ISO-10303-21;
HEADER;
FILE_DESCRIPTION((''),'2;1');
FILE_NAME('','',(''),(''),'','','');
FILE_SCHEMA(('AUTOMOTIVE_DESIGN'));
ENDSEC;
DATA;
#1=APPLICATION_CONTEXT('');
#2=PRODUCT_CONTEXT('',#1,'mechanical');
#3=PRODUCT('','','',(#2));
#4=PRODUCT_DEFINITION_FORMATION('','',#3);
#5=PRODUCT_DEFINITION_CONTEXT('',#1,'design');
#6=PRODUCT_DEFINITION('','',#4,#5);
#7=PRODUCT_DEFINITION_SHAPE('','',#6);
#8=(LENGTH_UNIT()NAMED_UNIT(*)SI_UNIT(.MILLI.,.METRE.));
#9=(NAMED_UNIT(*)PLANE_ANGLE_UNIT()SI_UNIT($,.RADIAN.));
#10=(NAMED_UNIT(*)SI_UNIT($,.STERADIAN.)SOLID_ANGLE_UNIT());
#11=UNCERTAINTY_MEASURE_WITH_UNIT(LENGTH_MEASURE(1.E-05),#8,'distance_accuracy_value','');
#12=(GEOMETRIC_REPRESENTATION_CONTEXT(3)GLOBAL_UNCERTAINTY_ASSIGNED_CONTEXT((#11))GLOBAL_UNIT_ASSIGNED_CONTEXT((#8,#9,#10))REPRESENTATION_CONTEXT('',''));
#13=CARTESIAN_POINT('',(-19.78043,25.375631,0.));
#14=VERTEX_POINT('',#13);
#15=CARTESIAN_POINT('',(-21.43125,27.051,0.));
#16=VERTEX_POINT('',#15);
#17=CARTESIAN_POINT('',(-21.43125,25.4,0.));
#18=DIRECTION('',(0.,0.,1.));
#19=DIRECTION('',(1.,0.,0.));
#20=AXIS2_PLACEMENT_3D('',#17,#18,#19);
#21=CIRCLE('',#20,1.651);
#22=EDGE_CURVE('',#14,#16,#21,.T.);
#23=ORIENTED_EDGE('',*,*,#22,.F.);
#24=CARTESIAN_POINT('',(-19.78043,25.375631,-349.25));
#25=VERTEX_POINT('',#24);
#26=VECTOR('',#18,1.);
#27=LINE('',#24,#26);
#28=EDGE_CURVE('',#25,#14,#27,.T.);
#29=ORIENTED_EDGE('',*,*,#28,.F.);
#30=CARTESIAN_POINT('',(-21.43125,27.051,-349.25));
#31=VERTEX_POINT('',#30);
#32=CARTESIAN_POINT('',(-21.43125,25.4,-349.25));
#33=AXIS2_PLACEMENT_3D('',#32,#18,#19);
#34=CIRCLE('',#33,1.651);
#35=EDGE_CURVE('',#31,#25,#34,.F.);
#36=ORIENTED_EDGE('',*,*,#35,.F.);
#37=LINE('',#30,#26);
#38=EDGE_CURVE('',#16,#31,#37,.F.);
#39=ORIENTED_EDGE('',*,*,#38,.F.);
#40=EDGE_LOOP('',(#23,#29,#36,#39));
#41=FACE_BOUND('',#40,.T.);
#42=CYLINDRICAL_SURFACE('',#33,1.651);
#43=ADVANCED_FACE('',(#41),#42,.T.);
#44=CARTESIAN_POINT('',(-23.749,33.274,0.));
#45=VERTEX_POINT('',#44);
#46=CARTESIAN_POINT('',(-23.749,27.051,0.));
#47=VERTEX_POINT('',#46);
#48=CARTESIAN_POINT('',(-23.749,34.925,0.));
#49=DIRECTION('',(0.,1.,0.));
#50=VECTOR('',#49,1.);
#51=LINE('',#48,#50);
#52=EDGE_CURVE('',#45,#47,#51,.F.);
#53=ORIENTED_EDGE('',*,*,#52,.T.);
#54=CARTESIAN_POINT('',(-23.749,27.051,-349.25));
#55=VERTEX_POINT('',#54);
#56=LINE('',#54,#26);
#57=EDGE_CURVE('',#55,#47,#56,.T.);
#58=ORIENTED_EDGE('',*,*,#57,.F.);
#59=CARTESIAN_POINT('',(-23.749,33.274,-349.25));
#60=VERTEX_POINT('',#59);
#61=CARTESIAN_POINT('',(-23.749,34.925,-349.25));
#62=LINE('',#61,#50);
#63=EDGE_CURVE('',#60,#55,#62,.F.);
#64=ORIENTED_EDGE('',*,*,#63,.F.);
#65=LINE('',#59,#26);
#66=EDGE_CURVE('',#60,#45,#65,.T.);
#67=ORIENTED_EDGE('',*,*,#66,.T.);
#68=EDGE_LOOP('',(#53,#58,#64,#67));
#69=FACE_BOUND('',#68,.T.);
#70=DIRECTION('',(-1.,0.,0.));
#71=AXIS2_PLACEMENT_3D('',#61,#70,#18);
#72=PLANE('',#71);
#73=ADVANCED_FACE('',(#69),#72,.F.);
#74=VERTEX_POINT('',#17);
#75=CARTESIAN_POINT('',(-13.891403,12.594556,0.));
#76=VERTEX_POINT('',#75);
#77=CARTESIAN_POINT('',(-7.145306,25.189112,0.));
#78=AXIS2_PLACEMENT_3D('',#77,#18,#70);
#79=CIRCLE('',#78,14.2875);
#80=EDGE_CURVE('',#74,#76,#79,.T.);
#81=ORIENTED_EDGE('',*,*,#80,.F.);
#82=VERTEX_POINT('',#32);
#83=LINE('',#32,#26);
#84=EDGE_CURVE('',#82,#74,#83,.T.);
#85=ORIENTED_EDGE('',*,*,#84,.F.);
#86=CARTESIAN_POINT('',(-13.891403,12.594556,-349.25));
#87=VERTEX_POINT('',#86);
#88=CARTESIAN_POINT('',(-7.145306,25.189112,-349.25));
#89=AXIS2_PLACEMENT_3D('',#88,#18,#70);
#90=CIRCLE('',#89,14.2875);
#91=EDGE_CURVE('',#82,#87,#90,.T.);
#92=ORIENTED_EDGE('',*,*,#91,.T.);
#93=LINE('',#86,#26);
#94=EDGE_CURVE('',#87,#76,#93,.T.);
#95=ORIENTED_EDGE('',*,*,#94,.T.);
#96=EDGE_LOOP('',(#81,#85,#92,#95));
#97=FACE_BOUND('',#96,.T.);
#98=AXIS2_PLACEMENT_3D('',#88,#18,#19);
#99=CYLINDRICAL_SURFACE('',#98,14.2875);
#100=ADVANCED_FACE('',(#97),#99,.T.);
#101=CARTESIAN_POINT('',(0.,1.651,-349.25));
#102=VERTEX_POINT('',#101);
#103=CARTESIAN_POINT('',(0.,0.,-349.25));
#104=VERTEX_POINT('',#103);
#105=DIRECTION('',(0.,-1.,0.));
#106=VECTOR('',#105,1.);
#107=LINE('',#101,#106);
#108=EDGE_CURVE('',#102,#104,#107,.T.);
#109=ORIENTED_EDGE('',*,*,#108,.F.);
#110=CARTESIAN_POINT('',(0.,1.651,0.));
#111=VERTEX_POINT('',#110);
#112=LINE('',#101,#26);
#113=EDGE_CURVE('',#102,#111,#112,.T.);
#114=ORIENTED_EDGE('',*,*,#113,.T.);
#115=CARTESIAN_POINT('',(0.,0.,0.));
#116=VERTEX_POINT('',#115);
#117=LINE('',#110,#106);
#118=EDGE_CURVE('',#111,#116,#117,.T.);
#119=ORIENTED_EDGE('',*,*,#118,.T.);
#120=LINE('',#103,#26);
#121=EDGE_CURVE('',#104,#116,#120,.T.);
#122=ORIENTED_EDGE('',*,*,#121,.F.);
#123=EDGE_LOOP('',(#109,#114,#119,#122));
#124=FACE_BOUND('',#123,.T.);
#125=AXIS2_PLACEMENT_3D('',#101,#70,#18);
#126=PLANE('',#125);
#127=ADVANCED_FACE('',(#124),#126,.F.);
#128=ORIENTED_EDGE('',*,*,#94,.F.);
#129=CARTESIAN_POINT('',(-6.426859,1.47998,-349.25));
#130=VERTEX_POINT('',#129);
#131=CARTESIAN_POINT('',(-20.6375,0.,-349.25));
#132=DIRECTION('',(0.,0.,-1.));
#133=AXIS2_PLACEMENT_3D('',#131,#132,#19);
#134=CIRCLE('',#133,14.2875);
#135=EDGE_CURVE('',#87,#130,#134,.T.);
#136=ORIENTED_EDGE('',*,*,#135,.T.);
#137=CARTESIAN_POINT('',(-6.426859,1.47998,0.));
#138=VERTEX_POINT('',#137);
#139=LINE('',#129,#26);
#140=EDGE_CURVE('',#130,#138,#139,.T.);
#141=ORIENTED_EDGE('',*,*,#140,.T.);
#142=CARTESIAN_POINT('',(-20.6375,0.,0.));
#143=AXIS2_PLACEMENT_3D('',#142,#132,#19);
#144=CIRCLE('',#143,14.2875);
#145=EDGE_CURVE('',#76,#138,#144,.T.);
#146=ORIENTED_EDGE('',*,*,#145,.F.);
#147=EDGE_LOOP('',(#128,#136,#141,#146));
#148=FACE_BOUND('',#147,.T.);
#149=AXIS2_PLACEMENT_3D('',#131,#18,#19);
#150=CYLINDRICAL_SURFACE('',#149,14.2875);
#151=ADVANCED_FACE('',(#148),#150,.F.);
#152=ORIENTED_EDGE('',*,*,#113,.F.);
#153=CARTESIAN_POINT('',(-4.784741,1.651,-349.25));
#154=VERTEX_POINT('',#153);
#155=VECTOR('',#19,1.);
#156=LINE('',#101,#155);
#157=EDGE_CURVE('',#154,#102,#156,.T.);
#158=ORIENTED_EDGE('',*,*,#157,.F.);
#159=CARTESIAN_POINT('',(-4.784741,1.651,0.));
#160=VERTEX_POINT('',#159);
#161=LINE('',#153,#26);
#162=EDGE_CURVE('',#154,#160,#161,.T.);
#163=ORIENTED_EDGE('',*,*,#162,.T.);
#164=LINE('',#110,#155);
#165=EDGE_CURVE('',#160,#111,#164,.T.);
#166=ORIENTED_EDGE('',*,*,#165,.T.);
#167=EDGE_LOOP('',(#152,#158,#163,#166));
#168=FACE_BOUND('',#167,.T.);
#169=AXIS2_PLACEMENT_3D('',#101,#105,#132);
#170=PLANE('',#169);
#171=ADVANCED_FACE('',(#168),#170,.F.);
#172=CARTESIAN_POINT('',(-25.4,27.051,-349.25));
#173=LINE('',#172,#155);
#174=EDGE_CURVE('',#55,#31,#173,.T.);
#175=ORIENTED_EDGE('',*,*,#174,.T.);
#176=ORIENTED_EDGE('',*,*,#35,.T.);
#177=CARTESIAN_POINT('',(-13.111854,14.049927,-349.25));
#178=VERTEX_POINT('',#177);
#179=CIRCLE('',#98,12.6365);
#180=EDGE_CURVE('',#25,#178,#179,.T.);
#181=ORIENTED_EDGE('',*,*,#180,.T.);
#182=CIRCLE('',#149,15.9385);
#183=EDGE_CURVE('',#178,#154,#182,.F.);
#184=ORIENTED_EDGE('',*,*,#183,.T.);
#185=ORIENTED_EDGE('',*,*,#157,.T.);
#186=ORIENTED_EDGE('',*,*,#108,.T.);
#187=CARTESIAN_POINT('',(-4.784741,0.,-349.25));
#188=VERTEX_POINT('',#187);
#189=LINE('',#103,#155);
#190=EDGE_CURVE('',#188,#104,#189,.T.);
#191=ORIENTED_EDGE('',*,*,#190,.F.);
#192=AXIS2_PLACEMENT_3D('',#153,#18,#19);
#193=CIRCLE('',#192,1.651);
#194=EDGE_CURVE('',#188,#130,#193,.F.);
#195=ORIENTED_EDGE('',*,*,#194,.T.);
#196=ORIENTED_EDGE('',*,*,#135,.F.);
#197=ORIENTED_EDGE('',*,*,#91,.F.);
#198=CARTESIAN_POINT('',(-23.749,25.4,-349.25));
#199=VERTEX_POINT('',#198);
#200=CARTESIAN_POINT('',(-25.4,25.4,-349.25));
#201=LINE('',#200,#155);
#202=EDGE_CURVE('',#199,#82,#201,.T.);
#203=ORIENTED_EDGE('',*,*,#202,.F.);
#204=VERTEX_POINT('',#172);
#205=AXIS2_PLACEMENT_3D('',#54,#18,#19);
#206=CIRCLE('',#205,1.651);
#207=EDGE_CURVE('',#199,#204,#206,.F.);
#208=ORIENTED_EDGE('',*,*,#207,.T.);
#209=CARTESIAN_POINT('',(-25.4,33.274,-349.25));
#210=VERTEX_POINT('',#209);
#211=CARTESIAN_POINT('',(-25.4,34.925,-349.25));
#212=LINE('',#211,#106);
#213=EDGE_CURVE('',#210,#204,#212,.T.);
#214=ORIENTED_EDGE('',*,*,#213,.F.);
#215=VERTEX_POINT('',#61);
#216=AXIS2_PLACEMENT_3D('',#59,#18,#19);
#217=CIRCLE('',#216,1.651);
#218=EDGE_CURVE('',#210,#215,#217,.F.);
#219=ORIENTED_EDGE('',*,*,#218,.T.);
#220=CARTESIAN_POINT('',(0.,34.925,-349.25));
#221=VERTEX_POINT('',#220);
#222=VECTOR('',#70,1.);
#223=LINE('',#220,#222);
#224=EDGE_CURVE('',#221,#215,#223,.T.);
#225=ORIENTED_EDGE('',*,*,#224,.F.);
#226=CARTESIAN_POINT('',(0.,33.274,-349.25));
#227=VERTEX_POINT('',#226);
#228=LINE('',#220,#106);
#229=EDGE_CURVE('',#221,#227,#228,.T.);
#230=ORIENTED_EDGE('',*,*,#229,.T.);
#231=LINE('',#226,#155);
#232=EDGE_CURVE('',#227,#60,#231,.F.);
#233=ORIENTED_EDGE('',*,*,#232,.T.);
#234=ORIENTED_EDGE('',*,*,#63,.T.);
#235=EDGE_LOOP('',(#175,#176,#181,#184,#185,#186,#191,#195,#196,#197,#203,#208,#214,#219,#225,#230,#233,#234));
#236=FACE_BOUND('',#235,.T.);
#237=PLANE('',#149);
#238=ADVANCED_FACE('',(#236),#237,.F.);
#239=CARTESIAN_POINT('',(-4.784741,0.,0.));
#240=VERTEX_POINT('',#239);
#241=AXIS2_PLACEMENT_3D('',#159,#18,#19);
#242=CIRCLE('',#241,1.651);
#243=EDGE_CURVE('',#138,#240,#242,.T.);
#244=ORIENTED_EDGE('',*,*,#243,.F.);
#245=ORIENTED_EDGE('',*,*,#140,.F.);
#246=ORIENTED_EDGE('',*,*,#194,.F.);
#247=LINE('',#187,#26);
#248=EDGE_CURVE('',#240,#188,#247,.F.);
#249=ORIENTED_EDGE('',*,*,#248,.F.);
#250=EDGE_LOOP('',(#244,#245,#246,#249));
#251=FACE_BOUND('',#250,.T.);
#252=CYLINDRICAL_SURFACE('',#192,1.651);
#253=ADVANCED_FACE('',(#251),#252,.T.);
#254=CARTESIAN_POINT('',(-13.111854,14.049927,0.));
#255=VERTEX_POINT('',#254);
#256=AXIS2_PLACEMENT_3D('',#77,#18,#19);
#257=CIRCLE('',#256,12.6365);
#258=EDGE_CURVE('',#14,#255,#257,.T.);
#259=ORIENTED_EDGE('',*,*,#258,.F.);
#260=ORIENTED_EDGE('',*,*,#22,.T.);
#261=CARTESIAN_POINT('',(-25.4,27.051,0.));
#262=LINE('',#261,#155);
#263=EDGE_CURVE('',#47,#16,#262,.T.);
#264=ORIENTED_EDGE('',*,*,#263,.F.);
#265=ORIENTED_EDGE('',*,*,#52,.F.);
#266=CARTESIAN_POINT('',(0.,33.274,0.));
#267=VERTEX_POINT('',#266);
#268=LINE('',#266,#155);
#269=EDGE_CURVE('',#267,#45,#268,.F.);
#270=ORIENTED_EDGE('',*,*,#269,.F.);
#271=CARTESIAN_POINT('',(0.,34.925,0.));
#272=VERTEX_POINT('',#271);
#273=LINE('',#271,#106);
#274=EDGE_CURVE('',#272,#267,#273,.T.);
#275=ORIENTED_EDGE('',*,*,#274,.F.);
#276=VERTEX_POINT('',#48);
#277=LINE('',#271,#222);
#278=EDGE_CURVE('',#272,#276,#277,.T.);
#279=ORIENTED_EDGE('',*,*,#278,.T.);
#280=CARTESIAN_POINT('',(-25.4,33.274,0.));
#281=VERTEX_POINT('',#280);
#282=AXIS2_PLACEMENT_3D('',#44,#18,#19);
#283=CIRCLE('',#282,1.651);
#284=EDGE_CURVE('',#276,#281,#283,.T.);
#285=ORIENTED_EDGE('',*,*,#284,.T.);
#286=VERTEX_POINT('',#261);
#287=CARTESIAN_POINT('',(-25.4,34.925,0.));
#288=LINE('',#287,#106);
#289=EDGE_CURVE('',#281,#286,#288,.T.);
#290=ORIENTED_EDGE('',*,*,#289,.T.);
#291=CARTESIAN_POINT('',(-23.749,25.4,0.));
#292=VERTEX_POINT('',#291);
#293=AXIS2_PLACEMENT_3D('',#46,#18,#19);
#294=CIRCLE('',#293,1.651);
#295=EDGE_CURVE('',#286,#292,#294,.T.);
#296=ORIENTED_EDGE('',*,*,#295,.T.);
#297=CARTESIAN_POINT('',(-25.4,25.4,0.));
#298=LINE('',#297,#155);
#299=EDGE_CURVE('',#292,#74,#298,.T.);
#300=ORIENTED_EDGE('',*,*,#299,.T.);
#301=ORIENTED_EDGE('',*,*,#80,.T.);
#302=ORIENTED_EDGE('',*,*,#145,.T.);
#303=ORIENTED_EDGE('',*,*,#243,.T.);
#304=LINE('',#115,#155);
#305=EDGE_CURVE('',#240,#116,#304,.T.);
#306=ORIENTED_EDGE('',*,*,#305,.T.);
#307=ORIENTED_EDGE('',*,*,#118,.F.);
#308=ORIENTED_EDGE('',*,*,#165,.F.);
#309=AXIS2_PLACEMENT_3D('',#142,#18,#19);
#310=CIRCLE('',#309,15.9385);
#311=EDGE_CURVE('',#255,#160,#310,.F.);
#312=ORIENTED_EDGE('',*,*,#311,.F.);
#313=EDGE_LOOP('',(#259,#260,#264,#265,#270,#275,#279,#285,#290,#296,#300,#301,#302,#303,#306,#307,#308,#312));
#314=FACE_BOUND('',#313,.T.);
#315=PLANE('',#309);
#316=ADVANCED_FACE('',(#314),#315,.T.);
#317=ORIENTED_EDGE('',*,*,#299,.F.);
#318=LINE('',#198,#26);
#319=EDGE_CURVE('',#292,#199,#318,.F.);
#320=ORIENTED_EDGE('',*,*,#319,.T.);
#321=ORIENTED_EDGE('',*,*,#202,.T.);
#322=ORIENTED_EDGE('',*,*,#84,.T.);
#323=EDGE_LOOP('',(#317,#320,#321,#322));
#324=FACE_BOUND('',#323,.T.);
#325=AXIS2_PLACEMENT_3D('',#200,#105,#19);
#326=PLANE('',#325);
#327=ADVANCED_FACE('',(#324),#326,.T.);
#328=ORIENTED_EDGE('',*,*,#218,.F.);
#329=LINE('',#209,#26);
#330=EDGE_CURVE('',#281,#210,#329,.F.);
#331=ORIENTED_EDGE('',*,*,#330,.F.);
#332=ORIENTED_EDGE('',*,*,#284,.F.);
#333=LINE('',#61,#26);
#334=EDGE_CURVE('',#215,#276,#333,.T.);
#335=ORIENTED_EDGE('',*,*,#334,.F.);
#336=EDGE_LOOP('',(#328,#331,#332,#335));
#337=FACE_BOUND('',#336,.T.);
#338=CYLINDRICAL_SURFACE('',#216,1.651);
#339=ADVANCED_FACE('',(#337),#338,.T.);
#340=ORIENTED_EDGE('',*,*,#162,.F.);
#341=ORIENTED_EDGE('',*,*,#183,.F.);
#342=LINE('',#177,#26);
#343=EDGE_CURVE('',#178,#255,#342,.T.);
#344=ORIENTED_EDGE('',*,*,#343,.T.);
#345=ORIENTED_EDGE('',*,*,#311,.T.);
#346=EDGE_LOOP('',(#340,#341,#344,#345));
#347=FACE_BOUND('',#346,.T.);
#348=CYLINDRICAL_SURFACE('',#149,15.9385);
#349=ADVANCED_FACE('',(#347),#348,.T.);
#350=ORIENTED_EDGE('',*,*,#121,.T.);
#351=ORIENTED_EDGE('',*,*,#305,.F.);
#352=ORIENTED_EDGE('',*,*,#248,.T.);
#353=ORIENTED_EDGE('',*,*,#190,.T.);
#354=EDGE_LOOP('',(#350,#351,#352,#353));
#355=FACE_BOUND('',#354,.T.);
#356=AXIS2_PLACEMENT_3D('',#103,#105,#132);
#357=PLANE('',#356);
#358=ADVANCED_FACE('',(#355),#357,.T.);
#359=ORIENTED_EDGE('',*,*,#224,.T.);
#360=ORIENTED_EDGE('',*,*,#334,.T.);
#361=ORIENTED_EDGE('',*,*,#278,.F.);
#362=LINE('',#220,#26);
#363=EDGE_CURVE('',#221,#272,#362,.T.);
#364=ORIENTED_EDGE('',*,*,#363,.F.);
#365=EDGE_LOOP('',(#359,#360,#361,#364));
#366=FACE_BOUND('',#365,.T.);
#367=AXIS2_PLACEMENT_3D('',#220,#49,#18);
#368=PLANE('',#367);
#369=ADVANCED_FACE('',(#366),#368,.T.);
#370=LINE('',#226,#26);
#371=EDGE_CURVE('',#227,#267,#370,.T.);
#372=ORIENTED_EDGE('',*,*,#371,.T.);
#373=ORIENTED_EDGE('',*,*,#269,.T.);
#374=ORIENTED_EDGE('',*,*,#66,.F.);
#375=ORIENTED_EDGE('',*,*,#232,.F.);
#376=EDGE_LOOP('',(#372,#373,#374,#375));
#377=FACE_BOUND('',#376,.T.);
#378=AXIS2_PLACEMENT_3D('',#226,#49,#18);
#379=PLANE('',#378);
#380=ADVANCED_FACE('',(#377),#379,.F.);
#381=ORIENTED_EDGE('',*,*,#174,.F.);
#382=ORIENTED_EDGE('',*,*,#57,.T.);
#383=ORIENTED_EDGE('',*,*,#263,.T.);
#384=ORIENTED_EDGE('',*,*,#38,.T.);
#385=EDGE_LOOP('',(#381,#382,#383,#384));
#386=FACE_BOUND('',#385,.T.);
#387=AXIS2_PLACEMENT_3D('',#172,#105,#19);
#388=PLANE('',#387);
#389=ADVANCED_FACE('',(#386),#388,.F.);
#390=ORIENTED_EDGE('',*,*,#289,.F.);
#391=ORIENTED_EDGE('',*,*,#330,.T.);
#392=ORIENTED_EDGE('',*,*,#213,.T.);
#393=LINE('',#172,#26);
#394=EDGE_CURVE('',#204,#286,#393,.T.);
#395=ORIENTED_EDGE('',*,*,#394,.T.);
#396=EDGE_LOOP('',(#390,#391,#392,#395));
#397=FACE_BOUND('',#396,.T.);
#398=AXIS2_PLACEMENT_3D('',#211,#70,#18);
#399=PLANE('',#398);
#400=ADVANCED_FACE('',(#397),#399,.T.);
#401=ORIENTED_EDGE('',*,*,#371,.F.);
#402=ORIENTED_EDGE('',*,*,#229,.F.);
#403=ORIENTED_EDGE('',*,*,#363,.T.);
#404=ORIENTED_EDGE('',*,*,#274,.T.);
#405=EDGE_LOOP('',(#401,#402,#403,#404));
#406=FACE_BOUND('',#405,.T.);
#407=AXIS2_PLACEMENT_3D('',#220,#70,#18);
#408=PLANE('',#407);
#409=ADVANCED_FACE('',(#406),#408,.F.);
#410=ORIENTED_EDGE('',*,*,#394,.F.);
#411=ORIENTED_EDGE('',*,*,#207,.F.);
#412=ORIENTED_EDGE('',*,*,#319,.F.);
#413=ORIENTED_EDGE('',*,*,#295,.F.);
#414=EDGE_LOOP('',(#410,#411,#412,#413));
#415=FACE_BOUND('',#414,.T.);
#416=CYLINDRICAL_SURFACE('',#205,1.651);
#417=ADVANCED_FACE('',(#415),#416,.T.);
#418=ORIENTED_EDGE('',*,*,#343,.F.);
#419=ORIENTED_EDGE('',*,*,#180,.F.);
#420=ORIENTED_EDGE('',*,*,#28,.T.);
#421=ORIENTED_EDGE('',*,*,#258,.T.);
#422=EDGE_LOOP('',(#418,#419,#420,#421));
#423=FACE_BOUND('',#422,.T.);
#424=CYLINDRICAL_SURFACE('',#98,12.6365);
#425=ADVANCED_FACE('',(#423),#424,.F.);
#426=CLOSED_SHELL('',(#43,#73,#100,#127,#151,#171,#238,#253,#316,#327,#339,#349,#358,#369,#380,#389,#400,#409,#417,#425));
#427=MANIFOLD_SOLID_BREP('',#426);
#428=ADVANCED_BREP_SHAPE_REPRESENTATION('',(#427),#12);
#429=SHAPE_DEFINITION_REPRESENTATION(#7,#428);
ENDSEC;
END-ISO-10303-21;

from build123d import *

# Parameters (mm, degrees)
EXTRUDE_THIN1_DEPTH = 349.25
FILLET1_R           = 1.651


with BuildPart() as part:
    # Sketch1 → Extrude-Thin1 (new body)
    with BuildSketch(Plane.XY):
        with BuildLine():
            Line((0, 34.925), (-25.4, 34.925))
            Line((-25.4, 34.925), (-25.4, 25.4))
            Line((-25.4, 25.4), (-21.43125, 25.4))
            ThreePointArc((-21.43125, 25.4), (-19.457151595, 17.939895967), (-13.891403239, 12.594555758))
            ThreePointArc((-13.891403239, 12.594555758), (-8.379492133, 7.339884154), (-6.35, 0))
            Line((-6.35, 0), (0, 0))
            Line((0, 0), (0, 1.651))
            Line((0, 1.651), (-4.784740579, 1.651))
            ThreePointArc((-4.784740579, 1.651), (-7.406067643, 8.886224172), (-13.11185428, 14.049926646))
            ThreePointArc((-13.11185428, 14.049926646), (-18.436772895, 19.516024313), (-19.643886539, 27.051))
            Line((-19.643886539, 27.051), (-23.749, 27.051))
            Line((-23.749, 27.051), (-23.749, 33.274))
            Line((-23.749, 33.274), (0, 33.274))
            Line((0, 33.274), (0, 34.925))
        make_face()
    extrude(amount=-EXTRUDE_THIN1_DEPTH)

    # Fillet1
    fillet1_edges = [part.edges().sort_by_distance(p)[0] for p in [
        (-6.35, 0, -174.625),
        (-25.4, 25.4, -174.625),
        (-25.4, 34.925, -174.625),
        (-19.643886539, 27.051, -174.625),
    ]]
    fillet(fillet1_edges, radius=FILLET1_R)


solid = part.part
